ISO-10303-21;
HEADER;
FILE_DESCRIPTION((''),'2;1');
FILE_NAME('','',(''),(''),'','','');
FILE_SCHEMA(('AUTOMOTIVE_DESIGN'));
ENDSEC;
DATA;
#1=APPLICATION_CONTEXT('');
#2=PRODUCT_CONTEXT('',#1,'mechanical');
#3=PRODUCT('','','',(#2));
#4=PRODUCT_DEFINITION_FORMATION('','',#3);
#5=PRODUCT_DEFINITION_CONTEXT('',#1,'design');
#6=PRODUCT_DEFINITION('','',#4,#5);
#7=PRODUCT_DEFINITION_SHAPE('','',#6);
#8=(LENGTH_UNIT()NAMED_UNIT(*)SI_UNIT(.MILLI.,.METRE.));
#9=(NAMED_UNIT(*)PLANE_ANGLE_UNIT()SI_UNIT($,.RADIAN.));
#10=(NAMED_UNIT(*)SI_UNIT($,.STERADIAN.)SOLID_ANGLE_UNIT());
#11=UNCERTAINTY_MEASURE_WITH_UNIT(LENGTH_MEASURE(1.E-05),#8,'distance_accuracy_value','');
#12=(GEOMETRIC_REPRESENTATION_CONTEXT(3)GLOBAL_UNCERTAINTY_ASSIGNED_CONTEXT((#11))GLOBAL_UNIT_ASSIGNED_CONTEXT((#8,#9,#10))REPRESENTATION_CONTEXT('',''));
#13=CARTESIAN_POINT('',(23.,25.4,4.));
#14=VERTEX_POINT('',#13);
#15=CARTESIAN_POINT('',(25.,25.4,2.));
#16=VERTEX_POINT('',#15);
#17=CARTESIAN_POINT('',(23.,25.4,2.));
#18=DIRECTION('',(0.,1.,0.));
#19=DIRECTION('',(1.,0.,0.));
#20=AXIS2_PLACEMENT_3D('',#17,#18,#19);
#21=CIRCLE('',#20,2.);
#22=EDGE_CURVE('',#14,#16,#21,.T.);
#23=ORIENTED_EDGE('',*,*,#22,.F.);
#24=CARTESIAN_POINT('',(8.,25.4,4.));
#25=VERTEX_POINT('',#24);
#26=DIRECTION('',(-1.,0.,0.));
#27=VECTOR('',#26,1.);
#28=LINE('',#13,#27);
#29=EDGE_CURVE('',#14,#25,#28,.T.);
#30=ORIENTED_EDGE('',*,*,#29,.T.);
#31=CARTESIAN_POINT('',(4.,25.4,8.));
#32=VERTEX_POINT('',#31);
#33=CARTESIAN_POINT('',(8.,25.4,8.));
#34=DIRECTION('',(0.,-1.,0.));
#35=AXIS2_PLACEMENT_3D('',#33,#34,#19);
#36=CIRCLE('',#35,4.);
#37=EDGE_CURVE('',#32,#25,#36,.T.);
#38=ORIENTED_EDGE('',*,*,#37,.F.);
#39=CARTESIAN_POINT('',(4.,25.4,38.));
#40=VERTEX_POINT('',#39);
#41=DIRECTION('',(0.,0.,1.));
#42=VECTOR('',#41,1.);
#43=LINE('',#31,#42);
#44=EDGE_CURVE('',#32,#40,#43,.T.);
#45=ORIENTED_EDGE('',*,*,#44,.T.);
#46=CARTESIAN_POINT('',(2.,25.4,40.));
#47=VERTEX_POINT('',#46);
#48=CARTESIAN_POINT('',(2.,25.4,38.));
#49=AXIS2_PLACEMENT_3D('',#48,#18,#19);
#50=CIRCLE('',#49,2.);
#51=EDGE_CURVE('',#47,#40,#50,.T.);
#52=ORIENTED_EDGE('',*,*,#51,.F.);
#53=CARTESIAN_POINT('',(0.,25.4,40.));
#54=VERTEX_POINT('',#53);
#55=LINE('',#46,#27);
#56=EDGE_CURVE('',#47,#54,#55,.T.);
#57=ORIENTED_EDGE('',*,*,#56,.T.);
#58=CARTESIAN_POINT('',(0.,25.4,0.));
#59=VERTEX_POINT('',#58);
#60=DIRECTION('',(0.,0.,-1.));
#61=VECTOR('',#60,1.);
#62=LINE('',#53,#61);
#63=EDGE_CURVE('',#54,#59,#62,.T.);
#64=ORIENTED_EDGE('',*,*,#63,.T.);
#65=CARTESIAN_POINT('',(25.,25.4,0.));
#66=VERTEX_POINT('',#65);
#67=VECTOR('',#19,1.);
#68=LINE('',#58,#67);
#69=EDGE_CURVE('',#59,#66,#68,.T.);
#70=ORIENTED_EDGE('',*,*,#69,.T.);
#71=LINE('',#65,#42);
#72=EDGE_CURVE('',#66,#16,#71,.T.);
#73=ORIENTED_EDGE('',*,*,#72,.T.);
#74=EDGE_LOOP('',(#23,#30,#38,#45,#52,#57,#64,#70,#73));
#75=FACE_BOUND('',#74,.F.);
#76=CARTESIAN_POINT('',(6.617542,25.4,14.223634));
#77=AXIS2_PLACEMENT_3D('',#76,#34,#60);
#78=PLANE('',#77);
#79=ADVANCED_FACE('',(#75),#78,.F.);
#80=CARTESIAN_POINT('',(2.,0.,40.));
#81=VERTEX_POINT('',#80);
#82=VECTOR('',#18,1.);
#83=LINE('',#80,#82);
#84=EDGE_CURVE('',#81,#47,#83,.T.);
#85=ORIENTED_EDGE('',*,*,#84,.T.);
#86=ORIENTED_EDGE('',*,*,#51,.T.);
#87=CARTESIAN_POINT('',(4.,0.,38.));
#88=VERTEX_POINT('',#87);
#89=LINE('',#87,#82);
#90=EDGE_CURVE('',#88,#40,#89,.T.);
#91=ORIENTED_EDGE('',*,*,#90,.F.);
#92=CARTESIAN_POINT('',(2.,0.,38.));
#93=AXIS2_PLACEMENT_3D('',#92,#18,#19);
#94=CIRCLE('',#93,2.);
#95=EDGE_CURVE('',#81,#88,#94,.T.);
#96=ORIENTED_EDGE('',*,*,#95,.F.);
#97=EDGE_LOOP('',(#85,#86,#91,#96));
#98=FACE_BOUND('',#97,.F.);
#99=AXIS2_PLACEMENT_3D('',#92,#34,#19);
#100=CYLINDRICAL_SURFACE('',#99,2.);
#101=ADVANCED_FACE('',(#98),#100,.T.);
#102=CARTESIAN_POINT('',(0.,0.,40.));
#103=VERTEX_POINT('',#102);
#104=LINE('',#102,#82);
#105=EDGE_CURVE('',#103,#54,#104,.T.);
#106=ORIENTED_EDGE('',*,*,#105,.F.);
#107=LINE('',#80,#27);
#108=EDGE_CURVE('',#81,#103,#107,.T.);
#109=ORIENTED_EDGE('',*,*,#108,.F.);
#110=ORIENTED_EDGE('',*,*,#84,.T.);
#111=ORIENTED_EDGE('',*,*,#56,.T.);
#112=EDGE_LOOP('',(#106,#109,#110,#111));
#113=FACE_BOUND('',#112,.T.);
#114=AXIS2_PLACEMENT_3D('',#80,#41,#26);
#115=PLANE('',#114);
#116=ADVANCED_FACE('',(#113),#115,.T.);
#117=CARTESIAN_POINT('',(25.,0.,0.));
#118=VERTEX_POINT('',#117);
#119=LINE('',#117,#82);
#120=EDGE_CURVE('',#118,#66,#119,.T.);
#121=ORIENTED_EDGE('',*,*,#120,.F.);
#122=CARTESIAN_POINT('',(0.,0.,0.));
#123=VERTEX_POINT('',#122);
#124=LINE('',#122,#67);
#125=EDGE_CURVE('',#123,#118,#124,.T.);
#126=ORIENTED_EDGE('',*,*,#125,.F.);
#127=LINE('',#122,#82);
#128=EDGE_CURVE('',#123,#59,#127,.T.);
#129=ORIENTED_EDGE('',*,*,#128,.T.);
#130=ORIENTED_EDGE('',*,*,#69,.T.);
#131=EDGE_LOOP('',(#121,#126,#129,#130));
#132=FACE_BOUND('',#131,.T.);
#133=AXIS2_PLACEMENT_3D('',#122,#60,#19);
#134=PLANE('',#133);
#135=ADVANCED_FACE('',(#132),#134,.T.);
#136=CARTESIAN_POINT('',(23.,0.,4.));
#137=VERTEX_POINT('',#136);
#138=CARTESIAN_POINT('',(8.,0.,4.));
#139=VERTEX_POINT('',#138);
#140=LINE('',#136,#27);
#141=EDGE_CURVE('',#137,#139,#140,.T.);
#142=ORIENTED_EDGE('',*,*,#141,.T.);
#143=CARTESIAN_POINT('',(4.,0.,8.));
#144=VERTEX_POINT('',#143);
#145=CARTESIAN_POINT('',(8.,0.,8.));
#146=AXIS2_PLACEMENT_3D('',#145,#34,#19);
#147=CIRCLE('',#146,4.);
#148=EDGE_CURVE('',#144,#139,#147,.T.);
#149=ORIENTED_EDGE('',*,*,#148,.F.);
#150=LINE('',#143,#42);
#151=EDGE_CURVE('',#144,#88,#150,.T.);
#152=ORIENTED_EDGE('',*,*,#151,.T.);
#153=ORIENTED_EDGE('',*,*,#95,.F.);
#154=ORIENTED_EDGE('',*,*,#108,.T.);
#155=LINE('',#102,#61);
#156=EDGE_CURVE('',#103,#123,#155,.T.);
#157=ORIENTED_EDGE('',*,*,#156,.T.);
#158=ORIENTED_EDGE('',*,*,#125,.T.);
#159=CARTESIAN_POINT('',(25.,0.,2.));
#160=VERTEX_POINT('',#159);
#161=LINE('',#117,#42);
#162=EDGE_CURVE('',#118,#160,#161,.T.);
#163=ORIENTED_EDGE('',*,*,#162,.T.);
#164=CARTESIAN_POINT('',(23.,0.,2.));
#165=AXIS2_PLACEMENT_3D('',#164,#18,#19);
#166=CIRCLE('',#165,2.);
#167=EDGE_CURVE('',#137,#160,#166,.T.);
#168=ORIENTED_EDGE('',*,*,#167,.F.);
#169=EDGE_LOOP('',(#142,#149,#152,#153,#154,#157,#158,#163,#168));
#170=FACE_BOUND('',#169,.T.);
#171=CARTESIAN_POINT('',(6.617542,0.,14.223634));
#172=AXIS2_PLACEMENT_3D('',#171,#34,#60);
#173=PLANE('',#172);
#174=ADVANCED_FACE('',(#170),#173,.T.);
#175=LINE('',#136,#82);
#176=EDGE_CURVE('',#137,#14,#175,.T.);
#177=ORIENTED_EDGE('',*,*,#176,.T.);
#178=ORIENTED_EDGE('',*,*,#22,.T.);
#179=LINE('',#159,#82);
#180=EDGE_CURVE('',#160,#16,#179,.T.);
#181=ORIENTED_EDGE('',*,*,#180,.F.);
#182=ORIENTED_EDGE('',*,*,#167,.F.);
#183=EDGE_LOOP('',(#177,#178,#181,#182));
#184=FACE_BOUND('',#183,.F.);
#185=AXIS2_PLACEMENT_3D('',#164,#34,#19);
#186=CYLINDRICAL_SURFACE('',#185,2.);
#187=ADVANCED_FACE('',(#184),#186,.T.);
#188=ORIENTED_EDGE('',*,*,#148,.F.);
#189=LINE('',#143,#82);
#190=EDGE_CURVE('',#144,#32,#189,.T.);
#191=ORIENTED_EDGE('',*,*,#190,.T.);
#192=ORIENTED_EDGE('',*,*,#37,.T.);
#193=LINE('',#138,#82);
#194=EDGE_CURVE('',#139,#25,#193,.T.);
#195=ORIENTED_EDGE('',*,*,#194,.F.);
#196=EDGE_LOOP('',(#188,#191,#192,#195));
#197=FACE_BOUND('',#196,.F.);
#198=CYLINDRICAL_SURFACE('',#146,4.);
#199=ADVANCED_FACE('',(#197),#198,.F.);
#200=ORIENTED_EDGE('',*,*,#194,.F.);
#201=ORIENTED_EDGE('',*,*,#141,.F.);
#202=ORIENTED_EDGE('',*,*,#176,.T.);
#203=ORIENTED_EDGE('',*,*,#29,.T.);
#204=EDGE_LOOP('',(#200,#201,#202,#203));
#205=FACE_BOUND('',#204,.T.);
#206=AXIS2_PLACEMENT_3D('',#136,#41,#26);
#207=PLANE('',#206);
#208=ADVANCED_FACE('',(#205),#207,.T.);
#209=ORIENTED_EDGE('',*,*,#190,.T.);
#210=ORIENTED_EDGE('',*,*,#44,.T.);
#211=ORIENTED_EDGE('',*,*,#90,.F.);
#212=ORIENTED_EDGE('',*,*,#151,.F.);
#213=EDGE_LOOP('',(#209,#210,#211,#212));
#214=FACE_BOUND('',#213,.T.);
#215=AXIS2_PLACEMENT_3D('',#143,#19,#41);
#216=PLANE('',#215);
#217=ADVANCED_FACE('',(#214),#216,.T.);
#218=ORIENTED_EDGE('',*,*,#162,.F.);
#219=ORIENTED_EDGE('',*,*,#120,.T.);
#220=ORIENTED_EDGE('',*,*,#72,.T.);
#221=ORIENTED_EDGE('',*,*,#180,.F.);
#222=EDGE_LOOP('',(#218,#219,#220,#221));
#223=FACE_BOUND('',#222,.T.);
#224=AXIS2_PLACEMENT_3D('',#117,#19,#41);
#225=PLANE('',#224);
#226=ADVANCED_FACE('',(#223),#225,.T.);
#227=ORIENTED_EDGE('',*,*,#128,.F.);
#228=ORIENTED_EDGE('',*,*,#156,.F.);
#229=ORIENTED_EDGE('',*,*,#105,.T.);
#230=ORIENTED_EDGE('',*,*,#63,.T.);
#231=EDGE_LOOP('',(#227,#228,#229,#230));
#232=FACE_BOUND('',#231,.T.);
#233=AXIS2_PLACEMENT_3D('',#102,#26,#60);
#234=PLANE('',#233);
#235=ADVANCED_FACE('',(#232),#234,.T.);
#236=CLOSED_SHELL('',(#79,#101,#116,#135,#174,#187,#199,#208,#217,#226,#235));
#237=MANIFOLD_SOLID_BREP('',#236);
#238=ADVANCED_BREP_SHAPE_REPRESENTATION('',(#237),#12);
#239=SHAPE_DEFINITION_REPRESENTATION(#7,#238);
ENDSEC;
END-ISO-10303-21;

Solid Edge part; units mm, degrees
sketch "Sketch1" plane through (0, 0, 0) normal (0, -1, 0) x (1, 0, 0)
  line L0 (25, 0) -> (25, 2)
  arc A0 (23, 4) -> (25, 2) centre (23, 2) cw
  line L1 (23, 4) -> (8, 4)
  arc A1 (4, 8) -> (8, 4) centre (8, 8) ccw
  line L2 (4, 8) -> (4, 38)
  arc A2 (2, 40) -> (4, 38) centre (2, 38) cw
  line L3 (2, 40) -> (0, 40)
  line L4 (0, 40) -> (0, 0)
  line L5 (0, 0) -> (25, 0)
  dimension "D1" = 40
  dimension "D2" = 25
  dimension "D3" = 4
  dimension "D4" = 4
extrude "Protrusion1" add sketch "Sketch1" against normal blind 25.4
